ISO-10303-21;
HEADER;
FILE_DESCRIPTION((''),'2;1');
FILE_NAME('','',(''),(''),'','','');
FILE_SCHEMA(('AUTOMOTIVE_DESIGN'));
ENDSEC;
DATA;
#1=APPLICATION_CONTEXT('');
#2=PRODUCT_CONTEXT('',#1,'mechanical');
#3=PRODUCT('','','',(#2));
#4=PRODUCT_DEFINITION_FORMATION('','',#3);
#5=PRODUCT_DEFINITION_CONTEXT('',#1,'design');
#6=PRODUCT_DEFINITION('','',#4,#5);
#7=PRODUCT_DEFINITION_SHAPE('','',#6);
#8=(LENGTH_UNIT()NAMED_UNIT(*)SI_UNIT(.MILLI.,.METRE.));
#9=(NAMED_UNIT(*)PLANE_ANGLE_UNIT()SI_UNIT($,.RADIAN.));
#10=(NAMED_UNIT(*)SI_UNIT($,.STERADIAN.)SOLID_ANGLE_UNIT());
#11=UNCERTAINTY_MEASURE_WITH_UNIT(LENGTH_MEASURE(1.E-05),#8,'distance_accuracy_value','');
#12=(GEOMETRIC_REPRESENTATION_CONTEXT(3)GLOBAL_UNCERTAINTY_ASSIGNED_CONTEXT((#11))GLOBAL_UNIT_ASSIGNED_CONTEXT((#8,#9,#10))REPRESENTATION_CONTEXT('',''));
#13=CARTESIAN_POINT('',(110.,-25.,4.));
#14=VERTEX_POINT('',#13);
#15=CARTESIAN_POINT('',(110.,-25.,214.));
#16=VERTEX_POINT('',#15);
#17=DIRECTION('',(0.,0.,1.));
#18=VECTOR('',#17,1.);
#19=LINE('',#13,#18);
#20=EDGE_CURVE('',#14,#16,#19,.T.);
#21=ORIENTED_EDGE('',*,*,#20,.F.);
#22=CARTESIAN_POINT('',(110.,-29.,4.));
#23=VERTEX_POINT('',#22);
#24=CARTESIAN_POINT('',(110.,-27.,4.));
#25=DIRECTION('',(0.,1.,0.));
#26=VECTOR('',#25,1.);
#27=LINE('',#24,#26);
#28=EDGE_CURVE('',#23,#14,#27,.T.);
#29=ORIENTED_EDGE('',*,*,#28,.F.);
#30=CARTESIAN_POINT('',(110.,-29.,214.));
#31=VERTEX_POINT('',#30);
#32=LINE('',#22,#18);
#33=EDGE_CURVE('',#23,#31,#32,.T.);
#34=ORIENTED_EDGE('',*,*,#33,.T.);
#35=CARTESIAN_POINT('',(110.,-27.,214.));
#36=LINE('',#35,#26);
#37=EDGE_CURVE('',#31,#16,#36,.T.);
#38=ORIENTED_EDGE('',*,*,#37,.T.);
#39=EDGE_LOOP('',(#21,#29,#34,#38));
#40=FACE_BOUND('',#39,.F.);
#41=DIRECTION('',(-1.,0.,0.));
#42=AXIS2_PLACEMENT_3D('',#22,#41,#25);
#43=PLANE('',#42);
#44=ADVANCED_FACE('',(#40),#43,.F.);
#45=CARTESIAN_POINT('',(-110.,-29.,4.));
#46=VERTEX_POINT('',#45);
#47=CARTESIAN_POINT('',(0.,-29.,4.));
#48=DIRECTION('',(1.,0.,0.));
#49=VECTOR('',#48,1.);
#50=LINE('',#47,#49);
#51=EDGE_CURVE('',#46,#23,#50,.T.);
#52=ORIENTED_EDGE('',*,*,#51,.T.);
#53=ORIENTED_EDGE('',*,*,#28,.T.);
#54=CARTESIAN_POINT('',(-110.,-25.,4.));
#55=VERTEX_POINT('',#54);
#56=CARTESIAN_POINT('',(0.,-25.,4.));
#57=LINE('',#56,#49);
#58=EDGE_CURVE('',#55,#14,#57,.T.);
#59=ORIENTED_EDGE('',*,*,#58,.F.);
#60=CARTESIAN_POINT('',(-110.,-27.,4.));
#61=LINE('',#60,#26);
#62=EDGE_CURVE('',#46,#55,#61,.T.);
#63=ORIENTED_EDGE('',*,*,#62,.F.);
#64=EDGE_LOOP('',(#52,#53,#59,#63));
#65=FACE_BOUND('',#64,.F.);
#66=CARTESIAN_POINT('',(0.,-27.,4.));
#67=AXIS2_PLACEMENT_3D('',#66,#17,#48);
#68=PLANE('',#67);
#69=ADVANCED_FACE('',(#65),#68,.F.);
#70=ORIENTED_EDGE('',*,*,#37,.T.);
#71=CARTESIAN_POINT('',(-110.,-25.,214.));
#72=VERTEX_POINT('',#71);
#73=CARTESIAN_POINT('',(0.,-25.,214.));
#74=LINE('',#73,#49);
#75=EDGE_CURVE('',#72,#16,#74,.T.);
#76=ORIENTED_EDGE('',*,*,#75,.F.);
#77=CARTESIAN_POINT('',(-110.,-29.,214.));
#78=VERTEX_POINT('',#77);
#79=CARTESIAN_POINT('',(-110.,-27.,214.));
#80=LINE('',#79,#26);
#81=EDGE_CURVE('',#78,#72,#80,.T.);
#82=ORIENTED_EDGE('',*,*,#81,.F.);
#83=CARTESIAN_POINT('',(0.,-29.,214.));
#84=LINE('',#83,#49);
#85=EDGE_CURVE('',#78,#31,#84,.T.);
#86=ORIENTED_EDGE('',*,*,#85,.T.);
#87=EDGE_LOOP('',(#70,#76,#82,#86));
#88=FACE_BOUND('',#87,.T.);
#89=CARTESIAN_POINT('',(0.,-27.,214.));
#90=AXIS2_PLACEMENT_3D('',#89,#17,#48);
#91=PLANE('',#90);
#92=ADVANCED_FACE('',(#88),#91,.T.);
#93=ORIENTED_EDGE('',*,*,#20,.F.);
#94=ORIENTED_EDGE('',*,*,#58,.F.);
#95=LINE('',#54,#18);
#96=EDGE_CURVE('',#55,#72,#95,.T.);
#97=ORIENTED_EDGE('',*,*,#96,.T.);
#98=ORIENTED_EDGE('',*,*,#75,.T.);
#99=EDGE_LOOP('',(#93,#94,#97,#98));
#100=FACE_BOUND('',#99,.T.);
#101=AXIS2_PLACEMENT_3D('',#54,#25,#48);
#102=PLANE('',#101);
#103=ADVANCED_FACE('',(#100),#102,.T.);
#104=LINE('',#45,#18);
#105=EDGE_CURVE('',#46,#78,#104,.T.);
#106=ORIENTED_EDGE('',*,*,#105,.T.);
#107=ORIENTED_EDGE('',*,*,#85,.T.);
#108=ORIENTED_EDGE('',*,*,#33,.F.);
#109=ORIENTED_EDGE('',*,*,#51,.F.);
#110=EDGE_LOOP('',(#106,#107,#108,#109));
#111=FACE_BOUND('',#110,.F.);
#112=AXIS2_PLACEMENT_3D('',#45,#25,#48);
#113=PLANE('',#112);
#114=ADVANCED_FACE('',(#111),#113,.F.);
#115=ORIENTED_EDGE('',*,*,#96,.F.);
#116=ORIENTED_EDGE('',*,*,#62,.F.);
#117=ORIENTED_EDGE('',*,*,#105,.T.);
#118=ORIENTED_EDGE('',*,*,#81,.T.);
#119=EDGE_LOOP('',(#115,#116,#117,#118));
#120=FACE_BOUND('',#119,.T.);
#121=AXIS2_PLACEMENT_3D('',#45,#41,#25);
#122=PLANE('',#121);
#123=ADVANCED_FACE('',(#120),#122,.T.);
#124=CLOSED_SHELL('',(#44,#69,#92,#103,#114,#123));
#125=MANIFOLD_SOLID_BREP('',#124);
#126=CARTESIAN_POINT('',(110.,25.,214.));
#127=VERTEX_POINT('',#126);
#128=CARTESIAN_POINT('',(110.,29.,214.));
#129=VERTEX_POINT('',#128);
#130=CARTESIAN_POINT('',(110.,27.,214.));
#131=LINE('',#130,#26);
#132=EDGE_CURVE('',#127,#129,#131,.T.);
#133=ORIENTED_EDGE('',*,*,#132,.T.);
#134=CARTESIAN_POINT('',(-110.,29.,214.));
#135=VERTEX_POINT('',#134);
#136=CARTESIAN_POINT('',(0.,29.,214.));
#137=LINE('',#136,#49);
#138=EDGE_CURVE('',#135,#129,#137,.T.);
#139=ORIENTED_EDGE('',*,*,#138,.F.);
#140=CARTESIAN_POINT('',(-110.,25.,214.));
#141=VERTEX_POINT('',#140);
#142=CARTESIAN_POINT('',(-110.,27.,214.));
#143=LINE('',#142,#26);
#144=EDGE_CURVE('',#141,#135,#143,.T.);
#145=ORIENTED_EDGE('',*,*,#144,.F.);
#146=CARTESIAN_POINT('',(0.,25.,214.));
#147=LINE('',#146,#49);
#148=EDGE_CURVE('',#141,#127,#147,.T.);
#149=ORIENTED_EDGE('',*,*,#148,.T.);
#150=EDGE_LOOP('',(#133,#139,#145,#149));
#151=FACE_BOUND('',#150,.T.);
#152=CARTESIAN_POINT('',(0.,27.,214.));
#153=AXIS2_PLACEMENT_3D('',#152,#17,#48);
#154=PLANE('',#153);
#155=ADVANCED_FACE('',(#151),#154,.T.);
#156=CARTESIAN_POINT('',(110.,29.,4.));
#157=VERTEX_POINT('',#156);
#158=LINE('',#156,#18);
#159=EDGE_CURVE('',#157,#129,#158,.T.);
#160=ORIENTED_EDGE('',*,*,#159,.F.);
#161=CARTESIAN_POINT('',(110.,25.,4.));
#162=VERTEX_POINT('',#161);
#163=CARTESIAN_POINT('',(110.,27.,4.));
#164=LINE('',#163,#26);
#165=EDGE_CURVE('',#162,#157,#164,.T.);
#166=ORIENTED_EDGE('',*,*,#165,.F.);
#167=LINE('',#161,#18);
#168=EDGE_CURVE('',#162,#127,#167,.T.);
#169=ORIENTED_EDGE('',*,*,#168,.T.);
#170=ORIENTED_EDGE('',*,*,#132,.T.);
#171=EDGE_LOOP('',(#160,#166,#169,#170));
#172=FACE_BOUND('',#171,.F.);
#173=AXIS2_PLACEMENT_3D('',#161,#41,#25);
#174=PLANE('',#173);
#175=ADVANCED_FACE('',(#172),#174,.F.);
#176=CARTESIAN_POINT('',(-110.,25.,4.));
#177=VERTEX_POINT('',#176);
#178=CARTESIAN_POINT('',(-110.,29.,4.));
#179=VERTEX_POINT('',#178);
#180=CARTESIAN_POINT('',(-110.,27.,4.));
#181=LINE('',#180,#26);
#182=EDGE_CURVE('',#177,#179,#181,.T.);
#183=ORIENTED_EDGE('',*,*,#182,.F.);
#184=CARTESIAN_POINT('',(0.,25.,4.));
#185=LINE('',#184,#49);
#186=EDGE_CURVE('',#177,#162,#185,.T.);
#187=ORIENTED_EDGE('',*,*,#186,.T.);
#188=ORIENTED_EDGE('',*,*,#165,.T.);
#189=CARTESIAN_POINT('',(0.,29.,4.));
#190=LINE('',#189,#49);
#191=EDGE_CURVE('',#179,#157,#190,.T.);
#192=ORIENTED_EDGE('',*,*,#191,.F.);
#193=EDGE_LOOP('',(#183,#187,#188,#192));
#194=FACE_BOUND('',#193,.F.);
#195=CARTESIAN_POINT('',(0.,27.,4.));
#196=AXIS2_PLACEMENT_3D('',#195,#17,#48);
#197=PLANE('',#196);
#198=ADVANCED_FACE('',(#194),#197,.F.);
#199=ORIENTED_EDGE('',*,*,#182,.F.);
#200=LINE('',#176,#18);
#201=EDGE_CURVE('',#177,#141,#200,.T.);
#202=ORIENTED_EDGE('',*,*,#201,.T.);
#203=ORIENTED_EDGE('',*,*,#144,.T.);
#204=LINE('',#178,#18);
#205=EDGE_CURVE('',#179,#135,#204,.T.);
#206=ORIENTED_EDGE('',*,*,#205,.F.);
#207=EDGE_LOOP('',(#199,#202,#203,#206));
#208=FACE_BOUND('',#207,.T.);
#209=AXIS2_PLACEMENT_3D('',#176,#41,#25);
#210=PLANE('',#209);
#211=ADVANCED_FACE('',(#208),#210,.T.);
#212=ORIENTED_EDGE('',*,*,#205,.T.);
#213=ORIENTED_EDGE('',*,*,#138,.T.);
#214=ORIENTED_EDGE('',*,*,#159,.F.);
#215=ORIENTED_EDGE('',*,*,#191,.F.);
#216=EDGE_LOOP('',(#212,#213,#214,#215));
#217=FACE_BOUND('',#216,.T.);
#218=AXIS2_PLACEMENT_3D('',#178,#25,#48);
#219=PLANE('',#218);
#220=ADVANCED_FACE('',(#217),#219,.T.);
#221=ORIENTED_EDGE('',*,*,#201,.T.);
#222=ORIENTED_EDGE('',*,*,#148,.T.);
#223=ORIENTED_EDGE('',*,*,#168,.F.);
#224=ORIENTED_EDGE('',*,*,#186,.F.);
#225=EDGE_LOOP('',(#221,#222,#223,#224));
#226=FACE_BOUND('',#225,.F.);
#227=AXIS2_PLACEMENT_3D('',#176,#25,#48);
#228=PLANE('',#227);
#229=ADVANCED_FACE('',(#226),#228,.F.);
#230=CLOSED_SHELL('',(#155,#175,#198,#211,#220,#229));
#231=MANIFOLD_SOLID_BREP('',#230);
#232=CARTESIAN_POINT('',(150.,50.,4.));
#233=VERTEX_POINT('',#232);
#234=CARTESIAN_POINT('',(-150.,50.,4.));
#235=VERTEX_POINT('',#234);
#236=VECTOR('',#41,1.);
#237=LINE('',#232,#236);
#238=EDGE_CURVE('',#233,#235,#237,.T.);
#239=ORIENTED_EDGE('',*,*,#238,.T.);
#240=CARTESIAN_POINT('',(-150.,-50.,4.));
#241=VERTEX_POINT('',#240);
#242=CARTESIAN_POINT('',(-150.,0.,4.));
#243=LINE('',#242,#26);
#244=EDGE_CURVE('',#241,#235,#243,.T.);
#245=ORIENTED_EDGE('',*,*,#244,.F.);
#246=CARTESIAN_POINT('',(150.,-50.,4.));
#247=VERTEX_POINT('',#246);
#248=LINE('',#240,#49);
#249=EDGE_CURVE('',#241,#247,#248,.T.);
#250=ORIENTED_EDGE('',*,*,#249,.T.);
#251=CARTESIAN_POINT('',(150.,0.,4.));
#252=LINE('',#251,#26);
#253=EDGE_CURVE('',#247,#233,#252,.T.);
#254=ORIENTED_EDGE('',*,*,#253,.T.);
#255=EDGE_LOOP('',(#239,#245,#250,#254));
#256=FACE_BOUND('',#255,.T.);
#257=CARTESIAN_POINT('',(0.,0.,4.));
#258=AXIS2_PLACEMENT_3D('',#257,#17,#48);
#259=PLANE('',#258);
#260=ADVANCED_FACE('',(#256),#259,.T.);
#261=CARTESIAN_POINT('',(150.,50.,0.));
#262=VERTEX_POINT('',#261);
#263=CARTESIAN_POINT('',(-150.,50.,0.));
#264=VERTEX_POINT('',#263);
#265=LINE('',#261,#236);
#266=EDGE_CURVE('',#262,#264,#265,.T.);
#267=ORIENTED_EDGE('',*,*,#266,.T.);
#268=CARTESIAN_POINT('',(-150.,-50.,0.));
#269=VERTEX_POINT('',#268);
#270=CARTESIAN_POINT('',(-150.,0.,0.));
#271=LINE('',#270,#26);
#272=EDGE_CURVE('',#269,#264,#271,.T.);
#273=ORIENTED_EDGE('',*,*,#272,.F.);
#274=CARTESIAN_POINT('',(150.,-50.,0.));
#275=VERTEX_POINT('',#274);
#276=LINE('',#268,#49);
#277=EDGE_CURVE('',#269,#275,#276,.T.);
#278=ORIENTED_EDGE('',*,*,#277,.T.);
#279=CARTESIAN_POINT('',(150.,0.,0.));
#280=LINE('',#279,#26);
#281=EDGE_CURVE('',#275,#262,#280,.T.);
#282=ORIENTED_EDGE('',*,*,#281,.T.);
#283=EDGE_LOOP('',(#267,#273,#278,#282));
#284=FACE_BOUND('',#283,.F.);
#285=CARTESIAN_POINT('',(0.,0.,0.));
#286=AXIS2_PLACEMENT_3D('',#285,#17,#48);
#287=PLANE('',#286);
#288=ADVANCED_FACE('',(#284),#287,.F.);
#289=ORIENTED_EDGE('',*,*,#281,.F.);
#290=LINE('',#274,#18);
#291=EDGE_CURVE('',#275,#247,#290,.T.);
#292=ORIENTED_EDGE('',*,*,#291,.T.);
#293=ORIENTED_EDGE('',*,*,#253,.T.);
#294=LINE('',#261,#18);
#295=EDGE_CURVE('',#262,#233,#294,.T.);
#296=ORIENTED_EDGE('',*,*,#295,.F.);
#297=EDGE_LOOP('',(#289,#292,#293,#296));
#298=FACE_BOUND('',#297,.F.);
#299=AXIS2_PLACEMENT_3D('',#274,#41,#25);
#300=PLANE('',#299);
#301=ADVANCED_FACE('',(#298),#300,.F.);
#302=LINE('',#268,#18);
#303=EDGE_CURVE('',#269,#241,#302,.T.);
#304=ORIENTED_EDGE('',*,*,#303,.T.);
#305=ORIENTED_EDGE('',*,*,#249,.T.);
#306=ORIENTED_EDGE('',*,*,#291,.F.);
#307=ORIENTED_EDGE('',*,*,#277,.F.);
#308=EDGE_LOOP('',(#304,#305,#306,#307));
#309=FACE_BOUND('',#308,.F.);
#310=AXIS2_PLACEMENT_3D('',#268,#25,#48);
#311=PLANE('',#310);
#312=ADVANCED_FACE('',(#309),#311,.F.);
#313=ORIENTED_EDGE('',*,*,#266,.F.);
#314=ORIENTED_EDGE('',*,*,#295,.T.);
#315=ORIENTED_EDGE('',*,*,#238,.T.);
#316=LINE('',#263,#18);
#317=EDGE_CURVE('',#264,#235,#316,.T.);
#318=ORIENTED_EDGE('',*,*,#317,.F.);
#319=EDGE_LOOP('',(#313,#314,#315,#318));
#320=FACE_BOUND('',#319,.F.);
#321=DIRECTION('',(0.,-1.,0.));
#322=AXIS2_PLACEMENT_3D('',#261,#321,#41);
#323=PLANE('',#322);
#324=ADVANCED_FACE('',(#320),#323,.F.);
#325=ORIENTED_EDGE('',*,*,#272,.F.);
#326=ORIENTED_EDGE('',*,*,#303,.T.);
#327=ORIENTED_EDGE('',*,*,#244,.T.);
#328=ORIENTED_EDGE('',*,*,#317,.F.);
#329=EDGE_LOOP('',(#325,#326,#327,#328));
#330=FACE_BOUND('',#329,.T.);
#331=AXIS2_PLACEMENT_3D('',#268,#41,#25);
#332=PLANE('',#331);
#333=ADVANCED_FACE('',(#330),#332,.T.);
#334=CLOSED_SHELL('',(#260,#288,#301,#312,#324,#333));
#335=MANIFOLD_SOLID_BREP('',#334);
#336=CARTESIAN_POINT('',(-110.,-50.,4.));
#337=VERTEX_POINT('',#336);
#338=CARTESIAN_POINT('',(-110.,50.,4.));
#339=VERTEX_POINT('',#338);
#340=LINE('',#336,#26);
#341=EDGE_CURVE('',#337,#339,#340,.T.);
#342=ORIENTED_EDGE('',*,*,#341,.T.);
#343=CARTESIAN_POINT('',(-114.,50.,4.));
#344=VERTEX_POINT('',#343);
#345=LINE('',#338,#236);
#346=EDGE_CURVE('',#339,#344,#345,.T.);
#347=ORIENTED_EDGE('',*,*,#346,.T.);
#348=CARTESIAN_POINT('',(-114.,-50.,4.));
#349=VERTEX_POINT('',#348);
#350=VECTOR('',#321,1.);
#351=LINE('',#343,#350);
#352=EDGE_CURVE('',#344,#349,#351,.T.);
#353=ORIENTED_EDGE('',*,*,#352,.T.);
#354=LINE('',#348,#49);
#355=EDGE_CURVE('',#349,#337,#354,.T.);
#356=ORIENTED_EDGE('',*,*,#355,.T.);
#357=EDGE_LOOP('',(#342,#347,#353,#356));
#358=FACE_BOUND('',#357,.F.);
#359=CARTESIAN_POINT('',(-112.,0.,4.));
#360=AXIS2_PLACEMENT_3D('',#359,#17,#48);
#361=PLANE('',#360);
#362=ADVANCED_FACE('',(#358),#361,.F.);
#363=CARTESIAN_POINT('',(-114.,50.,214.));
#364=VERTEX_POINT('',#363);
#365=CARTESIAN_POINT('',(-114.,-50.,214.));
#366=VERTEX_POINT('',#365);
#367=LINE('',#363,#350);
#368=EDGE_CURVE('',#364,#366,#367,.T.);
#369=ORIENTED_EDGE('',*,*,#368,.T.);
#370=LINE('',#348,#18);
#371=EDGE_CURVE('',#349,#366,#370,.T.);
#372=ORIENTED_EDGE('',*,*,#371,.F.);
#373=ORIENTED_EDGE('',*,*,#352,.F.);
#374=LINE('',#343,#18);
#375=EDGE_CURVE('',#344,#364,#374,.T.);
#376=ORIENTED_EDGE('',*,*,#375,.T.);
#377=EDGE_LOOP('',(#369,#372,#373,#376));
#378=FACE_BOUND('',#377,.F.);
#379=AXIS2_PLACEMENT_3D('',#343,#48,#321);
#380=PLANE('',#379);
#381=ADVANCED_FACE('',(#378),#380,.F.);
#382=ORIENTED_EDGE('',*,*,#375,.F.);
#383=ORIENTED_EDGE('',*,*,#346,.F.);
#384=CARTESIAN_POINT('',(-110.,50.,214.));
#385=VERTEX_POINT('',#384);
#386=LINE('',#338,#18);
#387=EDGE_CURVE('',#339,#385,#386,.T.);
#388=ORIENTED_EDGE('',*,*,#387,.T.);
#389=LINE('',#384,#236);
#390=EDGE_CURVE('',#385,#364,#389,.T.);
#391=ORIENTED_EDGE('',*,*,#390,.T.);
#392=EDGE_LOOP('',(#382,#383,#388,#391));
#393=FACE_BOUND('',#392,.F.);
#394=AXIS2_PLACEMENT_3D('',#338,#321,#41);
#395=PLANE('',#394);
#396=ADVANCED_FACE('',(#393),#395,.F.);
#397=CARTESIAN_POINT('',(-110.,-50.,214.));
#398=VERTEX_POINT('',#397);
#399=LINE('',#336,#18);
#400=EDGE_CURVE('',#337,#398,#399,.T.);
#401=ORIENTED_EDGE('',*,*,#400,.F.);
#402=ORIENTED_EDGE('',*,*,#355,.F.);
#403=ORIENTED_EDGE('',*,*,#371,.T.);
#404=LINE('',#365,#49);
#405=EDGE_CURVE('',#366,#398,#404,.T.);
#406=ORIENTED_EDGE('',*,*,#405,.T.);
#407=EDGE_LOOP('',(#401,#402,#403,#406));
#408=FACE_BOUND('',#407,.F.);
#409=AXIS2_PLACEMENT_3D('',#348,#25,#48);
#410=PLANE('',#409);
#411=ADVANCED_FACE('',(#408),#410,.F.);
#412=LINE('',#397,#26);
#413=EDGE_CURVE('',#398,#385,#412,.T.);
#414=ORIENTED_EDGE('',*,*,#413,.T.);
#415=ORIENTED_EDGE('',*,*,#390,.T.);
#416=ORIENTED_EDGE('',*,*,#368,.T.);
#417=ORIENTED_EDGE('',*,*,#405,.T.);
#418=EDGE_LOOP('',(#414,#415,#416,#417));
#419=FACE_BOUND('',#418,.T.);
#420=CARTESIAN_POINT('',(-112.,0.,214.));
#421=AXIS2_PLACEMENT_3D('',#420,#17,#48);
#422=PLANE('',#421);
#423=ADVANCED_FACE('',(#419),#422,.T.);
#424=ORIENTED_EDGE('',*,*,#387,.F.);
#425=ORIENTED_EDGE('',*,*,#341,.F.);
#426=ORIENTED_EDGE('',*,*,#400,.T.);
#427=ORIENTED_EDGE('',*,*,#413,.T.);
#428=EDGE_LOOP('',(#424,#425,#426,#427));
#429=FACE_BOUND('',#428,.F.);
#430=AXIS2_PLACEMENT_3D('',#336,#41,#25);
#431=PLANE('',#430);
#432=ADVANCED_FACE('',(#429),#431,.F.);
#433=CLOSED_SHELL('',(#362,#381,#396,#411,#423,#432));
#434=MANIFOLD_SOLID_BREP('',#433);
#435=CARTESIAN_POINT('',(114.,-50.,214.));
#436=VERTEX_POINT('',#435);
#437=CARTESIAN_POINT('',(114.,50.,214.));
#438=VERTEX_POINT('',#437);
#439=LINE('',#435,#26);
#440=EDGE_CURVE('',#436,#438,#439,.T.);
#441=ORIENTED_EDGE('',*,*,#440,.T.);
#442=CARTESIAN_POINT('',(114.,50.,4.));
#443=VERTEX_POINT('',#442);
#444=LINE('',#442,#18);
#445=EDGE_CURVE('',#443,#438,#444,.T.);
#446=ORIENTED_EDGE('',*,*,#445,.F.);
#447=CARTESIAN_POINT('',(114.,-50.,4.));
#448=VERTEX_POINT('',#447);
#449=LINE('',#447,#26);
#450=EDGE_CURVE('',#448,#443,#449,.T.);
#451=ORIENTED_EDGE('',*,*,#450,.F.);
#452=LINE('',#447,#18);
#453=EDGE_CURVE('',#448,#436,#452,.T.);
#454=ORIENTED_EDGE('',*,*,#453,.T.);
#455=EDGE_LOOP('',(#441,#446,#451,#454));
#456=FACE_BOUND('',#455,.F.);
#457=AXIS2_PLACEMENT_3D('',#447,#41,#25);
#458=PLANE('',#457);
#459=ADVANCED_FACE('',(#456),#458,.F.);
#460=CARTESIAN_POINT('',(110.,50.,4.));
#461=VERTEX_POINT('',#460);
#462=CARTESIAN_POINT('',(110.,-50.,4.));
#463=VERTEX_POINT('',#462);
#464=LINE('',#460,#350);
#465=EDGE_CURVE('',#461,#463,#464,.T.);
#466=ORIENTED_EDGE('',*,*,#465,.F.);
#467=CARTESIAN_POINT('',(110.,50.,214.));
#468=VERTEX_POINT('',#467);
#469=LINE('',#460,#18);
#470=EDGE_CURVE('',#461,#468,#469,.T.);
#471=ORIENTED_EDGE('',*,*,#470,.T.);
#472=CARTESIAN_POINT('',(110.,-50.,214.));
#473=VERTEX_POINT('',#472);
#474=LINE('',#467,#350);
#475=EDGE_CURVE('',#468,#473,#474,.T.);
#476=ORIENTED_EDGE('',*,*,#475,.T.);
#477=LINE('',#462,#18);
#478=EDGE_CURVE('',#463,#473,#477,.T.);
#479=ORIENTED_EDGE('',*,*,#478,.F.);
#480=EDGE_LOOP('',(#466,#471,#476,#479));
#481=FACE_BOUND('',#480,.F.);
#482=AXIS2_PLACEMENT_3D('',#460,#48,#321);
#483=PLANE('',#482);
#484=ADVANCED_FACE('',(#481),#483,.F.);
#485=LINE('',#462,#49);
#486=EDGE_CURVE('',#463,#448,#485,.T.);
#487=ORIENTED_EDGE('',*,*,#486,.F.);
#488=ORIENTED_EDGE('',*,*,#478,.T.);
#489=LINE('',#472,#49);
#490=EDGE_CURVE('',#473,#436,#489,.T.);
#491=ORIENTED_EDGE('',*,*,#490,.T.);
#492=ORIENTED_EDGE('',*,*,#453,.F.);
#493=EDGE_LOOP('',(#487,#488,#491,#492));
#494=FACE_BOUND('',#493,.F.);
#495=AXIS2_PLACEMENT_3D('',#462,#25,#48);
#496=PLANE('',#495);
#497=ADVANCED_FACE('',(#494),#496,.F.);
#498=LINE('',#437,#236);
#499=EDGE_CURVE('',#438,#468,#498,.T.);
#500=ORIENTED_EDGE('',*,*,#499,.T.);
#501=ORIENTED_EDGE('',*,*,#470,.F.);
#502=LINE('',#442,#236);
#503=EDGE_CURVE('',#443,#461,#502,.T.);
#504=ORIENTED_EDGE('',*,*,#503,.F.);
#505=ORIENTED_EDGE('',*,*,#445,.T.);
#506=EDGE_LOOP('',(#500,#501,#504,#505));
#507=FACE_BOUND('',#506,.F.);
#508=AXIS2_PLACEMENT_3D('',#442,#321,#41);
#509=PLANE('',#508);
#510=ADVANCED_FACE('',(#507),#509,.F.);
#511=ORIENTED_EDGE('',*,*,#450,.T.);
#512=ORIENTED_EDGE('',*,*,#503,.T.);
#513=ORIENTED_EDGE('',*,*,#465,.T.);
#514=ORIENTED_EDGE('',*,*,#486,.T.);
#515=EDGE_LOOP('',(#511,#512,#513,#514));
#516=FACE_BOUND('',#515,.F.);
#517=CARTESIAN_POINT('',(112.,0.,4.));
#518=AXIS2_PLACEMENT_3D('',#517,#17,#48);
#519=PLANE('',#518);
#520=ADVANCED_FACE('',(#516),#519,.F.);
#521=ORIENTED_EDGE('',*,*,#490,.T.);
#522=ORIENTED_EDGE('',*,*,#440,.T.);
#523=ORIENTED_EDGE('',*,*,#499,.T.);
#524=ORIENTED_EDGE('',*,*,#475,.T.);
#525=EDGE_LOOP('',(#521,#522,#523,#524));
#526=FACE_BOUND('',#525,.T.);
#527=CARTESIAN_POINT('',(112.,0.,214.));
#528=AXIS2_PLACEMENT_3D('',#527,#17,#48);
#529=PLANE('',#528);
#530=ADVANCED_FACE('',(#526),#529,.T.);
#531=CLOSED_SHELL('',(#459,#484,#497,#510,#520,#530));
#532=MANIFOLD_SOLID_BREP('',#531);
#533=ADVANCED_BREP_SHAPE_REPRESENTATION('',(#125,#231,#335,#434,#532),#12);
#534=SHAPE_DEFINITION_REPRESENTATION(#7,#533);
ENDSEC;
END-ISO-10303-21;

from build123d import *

# Parameters (mm, degrees)
F0_W     = 200
F0_H     = 100
F0_W_2   = 50
F3_DEPTH = 4
F5_DEPTH = 210
F4_W     = 220
F4_H     = 4
F6_DEPTH = 210
F7_DEPTH = 210
F8_DEPTH = 210


with BuildPart() as f3:
    # F0 (on Top) → F3 (new body)
    with BuildSketch(Plane.XY):
        Rectangle(F0_W, F0_H)
        with Locations((125, 0)):
            Rectangle(F0_W_2, F0_H)
        with Locations((-125, 0)):
            Rectangle(F0_W_2, F0_H)
    extrude(amount=F3_DEPTH)


with BuildPart() as f5:
    # F4 (on face) → F5 (new body)
    with BuildSketch(Plane.XY.offset(4)):
        Polygon((110, 25), (110, -25), (110, -29), (110, -50), (114, -50), (114, 50), (110, 50), (110, 29), align=None)
    extrude(amount=F5_DEPTH)


with BuildPart() as f6:
    # F4 (on face) → F6 (new body)
    with BuildSketch(Plane.XY.offset(4)):
        with Locations((0, -27)):
            Rectangle(F4_W, F4_H)
    extrude(amount=F6_DEPTH)


with BuildPart() as f7:
    # F4 (on face) → F7 (new body)
    with BuildSketch(Plane.XY.offset(4)):
        with Locations((0, 27)):
            Rectangle(F4_W, F4_H)
    extrude(amount=F7_DEPTH)


with BuildPart() as f8:
    # F4 (on face) → F8 (new body)
    with BuildSketch(Plane.XY.offset(4)):
        Polygon((-110, -29), (-110, -25), (-110, 25), (-110, 29), (-110, 50), (-114, 50), (-114, -50), (-110, -50), align=None)
    extrude(amount=F8_DEPTH)


solid = Compound([f3.part, f5.part, f6.part, f7.part, f8.part])
